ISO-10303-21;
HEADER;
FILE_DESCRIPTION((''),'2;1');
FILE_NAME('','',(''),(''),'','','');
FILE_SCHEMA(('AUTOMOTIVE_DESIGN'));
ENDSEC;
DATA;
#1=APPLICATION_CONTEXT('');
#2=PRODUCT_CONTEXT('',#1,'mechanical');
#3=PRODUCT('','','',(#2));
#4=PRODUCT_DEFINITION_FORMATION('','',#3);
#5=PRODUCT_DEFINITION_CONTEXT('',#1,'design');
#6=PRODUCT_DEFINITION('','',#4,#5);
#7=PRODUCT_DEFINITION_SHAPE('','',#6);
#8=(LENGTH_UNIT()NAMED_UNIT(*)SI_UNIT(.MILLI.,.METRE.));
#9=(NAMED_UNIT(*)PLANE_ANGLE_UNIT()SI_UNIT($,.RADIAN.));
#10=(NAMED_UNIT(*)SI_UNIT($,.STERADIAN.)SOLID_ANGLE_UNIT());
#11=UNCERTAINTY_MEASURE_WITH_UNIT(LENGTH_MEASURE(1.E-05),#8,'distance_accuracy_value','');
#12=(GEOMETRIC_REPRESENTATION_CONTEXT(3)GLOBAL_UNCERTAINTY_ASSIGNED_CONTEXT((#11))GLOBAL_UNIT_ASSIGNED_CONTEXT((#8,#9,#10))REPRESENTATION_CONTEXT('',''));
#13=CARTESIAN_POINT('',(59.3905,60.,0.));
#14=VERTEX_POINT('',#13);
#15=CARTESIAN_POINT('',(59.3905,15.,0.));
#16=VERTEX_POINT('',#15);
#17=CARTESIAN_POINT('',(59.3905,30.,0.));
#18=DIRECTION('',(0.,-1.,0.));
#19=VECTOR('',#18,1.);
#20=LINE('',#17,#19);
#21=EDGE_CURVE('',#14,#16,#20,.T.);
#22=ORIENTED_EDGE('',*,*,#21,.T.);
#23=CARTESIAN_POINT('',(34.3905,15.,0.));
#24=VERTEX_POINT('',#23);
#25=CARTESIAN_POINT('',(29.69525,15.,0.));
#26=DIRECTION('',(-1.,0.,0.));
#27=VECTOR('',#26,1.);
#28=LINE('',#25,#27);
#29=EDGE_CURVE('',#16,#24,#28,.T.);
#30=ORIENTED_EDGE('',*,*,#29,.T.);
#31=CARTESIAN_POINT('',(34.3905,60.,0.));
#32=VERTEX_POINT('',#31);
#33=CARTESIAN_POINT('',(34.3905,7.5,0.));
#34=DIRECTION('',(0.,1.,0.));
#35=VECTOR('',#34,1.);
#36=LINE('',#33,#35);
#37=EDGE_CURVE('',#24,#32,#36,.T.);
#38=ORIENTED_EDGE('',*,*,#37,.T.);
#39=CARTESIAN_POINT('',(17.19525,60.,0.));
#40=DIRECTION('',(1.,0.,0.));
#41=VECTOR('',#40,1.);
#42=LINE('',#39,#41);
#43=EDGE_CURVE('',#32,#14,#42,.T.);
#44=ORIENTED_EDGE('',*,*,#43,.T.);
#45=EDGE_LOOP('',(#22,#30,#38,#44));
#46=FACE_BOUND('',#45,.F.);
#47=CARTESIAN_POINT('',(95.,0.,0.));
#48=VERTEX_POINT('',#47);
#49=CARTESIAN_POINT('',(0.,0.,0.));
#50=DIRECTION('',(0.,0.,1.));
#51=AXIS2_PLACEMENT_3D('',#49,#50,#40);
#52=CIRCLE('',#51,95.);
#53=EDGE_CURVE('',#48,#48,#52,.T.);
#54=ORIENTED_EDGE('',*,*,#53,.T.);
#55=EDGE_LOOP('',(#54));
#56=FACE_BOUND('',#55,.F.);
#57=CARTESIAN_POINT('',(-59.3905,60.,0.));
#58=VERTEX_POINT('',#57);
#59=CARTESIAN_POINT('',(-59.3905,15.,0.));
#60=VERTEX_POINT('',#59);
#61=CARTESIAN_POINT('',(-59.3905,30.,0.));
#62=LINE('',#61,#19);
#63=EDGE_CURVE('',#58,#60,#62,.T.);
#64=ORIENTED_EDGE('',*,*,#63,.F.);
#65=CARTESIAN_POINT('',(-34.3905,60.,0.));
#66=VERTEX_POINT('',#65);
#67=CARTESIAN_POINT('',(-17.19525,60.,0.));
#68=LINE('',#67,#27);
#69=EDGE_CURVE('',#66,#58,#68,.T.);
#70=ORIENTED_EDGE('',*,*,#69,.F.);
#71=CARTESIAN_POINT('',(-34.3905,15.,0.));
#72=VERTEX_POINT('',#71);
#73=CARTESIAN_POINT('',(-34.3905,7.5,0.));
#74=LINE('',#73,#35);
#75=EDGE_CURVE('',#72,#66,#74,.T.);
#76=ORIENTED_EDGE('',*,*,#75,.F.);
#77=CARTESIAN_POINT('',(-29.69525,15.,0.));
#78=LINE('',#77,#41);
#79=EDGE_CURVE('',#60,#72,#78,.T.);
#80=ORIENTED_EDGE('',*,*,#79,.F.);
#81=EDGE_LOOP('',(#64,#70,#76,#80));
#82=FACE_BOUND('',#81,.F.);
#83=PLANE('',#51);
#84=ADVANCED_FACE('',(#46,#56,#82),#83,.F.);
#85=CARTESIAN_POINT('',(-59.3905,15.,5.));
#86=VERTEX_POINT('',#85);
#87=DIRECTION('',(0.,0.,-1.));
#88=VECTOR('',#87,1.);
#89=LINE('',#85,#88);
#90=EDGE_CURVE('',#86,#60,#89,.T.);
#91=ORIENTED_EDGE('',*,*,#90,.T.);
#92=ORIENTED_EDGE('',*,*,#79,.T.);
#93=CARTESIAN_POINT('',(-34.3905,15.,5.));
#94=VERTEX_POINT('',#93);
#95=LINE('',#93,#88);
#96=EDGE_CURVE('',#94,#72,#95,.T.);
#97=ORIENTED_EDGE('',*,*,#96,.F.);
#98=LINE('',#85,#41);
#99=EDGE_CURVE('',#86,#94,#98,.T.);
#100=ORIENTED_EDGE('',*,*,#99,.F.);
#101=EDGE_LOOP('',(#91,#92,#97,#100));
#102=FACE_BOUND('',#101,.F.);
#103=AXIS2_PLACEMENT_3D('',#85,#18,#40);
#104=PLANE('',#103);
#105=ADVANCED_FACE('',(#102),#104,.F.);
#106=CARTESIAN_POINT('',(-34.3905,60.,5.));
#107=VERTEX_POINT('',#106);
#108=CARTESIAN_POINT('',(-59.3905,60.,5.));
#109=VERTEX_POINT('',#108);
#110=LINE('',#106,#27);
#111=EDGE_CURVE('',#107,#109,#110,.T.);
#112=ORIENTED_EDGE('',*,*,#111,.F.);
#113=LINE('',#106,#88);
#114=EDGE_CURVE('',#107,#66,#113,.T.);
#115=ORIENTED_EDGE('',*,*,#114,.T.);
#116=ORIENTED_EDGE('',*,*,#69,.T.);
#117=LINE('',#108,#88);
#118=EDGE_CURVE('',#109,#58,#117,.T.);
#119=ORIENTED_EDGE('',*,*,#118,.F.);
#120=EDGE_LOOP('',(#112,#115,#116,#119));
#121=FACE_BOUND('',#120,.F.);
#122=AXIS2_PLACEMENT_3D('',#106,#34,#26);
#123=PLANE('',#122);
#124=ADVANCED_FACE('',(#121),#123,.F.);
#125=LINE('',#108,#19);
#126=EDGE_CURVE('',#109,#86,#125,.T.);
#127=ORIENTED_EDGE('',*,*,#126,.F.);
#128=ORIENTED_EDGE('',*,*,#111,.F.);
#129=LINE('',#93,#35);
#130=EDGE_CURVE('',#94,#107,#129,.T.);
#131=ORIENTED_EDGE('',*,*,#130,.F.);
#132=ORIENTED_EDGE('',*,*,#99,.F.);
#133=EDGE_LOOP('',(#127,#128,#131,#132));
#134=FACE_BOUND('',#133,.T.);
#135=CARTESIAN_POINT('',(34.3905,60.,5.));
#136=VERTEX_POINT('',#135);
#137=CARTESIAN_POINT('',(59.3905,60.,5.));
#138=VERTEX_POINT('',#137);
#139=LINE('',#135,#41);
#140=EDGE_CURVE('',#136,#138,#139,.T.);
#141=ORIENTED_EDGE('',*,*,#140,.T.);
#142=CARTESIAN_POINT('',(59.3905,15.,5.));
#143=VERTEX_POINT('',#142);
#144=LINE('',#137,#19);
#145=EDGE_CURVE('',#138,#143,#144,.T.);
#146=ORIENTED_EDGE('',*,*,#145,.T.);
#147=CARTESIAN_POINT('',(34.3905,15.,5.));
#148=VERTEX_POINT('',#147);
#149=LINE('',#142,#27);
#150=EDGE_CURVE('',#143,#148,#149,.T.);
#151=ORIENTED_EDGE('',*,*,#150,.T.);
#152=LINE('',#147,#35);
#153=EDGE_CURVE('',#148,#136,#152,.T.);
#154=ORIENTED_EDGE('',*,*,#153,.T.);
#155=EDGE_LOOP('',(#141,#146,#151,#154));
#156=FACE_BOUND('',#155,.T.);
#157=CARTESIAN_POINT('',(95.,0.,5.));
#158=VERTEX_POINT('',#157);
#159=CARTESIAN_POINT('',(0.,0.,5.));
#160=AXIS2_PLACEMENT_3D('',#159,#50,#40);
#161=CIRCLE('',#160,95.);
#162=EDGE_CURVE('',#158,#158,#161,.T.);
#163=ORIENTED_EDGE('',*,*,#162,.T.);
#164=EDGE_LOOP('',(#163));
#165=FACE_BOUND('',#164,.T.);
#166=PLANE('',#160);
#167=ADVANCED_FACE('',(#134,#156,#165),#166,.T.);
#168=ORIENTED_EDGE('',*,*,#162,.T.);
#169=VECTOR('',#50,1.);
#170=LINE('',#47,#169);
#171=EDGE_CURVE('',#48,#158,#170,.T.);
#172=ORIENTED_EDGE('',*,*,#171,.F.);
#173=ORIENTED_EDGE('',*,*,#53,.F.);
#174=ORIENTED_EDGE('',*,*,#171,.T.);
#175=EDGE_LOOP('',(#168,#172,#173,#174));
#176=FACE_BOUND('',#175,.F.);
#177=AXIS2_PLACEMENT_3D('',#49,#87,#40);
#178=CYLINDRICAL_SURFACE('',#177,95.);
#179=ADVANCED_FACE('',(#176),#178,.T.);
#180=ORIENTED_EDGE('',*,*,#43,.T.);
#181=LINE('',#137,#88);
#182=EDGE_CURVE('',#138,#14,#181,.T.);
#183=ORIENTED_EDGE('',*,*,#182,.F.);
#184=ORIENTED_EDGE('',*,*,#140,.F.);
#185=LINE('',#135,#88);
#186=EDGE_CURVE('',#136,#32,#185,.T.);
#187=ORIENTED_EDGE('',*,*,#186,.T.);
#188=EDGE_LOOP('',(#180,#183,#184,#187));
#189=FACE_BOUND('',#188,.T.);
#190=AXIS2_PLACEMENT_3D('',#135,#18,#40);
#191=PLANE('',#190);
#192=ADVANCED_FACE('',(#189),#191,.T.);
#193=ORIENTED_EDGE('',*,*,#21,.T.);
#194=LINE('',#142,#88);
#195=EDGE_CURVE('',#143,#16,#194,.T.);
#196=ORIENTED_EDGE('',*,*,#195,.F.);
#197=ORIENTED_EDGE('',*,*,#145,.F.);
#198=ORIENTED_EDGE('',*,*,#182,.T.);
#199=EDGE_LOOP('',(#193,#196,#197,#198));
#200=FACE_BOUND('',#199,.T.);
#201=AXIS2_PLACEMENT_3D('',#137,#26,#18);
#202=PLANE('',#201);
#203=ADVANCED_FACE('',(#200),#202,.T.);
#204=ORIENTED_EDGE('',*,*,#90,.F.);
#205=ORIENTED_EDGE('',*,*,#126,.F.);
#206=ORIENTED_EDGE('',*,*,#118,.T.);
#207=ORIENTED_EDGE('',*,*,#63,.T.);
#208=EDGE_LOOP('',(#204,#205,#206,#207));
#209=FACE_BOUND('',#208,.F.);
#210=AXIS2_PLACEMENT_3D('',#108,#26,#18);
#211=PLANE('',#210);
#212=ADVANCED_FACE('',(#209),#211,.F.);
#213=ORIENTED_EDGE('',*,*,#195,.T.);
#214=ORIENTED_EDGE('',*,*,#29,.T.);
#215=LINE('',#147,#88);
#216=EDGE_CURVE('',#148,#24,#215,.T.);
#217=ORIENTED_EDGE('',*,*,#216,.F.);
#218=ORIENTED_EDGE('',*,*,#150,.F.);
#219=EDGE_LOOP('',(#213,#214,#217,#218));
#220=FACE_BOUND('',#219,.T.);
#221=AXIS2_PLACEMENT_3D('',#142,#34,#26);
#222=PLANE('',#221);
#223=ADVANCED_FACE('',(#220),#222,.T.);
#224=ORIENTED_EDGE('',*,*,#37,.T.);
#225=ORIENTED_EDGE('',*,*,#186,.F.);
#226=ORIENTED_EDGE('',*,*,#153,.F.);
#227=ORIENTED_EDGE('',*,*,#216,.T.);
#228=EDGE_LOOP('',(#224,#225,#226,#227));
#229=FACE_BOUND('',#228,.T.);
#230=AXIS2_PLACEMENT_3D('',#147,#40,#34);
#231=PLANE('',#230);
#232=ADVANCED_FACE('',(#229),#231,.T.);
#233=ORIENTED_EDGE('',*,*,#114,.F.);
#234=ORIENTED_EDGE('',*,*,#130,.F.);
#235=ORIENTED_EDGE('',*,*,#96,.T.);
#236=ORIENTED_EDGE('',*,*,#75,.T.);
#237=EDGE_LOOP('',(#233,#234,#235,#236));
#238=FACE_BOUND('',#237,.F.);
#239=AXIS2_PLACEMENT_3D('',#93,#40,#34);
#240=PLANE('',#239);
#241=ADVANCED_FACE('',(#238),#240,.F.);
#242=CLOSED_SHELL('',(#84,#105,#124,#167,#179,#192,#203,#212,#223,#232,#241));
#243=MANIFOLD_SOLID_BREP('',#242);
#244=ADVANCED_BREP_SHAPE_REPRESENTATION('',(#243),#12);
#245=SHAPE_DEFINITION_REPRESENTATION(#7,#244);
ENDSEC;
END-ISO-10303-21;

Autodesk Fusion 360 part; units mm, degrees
sketch "Esquisse1" plane through (0, 0, 0) normal (0, 0, 1) x (1, 0, 0)
  circle A0 centre (0, 0) radius 95
  dimension "d1" = 190
extrude "Extrusion1" add sketch "Esquisse1" along normal blind 5
sketch "Esquisse2" plane through (0, 0, 5) normal (0, 0, 1) x (-1, 0, 0)
  circle A0 centre (0, 0) radius 95
  line L0 (-34.3905, -60) -> (-59.3905, -60)
  line L1 (-59.3905, -60) -> (-59.3905, -15)
  line L2 (-59.3905, -15) -> (-34.3905, -15)
  line L3 (-34.3905, -15) -> (-34.3905, -60)
  line L4 (0, 95) -> (0, -95)
  line L5 (34.3905, -15) -> (34.3905, -60)
  line L6 (59.3905, -60) -> (59.3905, -15)
  line L7 (59.3905, -15) -> (34.3905, -15)
  line L8 (34.3905, -60) -> (59.3905, -60)
  dimension "d4" = 25
  dimension "d5" = 45
extrude "Extrusion2" cut sketch "Esquisse2" against normal blind 10 contours L0 L1 L2 L3 | L5 L6 L7 L8
